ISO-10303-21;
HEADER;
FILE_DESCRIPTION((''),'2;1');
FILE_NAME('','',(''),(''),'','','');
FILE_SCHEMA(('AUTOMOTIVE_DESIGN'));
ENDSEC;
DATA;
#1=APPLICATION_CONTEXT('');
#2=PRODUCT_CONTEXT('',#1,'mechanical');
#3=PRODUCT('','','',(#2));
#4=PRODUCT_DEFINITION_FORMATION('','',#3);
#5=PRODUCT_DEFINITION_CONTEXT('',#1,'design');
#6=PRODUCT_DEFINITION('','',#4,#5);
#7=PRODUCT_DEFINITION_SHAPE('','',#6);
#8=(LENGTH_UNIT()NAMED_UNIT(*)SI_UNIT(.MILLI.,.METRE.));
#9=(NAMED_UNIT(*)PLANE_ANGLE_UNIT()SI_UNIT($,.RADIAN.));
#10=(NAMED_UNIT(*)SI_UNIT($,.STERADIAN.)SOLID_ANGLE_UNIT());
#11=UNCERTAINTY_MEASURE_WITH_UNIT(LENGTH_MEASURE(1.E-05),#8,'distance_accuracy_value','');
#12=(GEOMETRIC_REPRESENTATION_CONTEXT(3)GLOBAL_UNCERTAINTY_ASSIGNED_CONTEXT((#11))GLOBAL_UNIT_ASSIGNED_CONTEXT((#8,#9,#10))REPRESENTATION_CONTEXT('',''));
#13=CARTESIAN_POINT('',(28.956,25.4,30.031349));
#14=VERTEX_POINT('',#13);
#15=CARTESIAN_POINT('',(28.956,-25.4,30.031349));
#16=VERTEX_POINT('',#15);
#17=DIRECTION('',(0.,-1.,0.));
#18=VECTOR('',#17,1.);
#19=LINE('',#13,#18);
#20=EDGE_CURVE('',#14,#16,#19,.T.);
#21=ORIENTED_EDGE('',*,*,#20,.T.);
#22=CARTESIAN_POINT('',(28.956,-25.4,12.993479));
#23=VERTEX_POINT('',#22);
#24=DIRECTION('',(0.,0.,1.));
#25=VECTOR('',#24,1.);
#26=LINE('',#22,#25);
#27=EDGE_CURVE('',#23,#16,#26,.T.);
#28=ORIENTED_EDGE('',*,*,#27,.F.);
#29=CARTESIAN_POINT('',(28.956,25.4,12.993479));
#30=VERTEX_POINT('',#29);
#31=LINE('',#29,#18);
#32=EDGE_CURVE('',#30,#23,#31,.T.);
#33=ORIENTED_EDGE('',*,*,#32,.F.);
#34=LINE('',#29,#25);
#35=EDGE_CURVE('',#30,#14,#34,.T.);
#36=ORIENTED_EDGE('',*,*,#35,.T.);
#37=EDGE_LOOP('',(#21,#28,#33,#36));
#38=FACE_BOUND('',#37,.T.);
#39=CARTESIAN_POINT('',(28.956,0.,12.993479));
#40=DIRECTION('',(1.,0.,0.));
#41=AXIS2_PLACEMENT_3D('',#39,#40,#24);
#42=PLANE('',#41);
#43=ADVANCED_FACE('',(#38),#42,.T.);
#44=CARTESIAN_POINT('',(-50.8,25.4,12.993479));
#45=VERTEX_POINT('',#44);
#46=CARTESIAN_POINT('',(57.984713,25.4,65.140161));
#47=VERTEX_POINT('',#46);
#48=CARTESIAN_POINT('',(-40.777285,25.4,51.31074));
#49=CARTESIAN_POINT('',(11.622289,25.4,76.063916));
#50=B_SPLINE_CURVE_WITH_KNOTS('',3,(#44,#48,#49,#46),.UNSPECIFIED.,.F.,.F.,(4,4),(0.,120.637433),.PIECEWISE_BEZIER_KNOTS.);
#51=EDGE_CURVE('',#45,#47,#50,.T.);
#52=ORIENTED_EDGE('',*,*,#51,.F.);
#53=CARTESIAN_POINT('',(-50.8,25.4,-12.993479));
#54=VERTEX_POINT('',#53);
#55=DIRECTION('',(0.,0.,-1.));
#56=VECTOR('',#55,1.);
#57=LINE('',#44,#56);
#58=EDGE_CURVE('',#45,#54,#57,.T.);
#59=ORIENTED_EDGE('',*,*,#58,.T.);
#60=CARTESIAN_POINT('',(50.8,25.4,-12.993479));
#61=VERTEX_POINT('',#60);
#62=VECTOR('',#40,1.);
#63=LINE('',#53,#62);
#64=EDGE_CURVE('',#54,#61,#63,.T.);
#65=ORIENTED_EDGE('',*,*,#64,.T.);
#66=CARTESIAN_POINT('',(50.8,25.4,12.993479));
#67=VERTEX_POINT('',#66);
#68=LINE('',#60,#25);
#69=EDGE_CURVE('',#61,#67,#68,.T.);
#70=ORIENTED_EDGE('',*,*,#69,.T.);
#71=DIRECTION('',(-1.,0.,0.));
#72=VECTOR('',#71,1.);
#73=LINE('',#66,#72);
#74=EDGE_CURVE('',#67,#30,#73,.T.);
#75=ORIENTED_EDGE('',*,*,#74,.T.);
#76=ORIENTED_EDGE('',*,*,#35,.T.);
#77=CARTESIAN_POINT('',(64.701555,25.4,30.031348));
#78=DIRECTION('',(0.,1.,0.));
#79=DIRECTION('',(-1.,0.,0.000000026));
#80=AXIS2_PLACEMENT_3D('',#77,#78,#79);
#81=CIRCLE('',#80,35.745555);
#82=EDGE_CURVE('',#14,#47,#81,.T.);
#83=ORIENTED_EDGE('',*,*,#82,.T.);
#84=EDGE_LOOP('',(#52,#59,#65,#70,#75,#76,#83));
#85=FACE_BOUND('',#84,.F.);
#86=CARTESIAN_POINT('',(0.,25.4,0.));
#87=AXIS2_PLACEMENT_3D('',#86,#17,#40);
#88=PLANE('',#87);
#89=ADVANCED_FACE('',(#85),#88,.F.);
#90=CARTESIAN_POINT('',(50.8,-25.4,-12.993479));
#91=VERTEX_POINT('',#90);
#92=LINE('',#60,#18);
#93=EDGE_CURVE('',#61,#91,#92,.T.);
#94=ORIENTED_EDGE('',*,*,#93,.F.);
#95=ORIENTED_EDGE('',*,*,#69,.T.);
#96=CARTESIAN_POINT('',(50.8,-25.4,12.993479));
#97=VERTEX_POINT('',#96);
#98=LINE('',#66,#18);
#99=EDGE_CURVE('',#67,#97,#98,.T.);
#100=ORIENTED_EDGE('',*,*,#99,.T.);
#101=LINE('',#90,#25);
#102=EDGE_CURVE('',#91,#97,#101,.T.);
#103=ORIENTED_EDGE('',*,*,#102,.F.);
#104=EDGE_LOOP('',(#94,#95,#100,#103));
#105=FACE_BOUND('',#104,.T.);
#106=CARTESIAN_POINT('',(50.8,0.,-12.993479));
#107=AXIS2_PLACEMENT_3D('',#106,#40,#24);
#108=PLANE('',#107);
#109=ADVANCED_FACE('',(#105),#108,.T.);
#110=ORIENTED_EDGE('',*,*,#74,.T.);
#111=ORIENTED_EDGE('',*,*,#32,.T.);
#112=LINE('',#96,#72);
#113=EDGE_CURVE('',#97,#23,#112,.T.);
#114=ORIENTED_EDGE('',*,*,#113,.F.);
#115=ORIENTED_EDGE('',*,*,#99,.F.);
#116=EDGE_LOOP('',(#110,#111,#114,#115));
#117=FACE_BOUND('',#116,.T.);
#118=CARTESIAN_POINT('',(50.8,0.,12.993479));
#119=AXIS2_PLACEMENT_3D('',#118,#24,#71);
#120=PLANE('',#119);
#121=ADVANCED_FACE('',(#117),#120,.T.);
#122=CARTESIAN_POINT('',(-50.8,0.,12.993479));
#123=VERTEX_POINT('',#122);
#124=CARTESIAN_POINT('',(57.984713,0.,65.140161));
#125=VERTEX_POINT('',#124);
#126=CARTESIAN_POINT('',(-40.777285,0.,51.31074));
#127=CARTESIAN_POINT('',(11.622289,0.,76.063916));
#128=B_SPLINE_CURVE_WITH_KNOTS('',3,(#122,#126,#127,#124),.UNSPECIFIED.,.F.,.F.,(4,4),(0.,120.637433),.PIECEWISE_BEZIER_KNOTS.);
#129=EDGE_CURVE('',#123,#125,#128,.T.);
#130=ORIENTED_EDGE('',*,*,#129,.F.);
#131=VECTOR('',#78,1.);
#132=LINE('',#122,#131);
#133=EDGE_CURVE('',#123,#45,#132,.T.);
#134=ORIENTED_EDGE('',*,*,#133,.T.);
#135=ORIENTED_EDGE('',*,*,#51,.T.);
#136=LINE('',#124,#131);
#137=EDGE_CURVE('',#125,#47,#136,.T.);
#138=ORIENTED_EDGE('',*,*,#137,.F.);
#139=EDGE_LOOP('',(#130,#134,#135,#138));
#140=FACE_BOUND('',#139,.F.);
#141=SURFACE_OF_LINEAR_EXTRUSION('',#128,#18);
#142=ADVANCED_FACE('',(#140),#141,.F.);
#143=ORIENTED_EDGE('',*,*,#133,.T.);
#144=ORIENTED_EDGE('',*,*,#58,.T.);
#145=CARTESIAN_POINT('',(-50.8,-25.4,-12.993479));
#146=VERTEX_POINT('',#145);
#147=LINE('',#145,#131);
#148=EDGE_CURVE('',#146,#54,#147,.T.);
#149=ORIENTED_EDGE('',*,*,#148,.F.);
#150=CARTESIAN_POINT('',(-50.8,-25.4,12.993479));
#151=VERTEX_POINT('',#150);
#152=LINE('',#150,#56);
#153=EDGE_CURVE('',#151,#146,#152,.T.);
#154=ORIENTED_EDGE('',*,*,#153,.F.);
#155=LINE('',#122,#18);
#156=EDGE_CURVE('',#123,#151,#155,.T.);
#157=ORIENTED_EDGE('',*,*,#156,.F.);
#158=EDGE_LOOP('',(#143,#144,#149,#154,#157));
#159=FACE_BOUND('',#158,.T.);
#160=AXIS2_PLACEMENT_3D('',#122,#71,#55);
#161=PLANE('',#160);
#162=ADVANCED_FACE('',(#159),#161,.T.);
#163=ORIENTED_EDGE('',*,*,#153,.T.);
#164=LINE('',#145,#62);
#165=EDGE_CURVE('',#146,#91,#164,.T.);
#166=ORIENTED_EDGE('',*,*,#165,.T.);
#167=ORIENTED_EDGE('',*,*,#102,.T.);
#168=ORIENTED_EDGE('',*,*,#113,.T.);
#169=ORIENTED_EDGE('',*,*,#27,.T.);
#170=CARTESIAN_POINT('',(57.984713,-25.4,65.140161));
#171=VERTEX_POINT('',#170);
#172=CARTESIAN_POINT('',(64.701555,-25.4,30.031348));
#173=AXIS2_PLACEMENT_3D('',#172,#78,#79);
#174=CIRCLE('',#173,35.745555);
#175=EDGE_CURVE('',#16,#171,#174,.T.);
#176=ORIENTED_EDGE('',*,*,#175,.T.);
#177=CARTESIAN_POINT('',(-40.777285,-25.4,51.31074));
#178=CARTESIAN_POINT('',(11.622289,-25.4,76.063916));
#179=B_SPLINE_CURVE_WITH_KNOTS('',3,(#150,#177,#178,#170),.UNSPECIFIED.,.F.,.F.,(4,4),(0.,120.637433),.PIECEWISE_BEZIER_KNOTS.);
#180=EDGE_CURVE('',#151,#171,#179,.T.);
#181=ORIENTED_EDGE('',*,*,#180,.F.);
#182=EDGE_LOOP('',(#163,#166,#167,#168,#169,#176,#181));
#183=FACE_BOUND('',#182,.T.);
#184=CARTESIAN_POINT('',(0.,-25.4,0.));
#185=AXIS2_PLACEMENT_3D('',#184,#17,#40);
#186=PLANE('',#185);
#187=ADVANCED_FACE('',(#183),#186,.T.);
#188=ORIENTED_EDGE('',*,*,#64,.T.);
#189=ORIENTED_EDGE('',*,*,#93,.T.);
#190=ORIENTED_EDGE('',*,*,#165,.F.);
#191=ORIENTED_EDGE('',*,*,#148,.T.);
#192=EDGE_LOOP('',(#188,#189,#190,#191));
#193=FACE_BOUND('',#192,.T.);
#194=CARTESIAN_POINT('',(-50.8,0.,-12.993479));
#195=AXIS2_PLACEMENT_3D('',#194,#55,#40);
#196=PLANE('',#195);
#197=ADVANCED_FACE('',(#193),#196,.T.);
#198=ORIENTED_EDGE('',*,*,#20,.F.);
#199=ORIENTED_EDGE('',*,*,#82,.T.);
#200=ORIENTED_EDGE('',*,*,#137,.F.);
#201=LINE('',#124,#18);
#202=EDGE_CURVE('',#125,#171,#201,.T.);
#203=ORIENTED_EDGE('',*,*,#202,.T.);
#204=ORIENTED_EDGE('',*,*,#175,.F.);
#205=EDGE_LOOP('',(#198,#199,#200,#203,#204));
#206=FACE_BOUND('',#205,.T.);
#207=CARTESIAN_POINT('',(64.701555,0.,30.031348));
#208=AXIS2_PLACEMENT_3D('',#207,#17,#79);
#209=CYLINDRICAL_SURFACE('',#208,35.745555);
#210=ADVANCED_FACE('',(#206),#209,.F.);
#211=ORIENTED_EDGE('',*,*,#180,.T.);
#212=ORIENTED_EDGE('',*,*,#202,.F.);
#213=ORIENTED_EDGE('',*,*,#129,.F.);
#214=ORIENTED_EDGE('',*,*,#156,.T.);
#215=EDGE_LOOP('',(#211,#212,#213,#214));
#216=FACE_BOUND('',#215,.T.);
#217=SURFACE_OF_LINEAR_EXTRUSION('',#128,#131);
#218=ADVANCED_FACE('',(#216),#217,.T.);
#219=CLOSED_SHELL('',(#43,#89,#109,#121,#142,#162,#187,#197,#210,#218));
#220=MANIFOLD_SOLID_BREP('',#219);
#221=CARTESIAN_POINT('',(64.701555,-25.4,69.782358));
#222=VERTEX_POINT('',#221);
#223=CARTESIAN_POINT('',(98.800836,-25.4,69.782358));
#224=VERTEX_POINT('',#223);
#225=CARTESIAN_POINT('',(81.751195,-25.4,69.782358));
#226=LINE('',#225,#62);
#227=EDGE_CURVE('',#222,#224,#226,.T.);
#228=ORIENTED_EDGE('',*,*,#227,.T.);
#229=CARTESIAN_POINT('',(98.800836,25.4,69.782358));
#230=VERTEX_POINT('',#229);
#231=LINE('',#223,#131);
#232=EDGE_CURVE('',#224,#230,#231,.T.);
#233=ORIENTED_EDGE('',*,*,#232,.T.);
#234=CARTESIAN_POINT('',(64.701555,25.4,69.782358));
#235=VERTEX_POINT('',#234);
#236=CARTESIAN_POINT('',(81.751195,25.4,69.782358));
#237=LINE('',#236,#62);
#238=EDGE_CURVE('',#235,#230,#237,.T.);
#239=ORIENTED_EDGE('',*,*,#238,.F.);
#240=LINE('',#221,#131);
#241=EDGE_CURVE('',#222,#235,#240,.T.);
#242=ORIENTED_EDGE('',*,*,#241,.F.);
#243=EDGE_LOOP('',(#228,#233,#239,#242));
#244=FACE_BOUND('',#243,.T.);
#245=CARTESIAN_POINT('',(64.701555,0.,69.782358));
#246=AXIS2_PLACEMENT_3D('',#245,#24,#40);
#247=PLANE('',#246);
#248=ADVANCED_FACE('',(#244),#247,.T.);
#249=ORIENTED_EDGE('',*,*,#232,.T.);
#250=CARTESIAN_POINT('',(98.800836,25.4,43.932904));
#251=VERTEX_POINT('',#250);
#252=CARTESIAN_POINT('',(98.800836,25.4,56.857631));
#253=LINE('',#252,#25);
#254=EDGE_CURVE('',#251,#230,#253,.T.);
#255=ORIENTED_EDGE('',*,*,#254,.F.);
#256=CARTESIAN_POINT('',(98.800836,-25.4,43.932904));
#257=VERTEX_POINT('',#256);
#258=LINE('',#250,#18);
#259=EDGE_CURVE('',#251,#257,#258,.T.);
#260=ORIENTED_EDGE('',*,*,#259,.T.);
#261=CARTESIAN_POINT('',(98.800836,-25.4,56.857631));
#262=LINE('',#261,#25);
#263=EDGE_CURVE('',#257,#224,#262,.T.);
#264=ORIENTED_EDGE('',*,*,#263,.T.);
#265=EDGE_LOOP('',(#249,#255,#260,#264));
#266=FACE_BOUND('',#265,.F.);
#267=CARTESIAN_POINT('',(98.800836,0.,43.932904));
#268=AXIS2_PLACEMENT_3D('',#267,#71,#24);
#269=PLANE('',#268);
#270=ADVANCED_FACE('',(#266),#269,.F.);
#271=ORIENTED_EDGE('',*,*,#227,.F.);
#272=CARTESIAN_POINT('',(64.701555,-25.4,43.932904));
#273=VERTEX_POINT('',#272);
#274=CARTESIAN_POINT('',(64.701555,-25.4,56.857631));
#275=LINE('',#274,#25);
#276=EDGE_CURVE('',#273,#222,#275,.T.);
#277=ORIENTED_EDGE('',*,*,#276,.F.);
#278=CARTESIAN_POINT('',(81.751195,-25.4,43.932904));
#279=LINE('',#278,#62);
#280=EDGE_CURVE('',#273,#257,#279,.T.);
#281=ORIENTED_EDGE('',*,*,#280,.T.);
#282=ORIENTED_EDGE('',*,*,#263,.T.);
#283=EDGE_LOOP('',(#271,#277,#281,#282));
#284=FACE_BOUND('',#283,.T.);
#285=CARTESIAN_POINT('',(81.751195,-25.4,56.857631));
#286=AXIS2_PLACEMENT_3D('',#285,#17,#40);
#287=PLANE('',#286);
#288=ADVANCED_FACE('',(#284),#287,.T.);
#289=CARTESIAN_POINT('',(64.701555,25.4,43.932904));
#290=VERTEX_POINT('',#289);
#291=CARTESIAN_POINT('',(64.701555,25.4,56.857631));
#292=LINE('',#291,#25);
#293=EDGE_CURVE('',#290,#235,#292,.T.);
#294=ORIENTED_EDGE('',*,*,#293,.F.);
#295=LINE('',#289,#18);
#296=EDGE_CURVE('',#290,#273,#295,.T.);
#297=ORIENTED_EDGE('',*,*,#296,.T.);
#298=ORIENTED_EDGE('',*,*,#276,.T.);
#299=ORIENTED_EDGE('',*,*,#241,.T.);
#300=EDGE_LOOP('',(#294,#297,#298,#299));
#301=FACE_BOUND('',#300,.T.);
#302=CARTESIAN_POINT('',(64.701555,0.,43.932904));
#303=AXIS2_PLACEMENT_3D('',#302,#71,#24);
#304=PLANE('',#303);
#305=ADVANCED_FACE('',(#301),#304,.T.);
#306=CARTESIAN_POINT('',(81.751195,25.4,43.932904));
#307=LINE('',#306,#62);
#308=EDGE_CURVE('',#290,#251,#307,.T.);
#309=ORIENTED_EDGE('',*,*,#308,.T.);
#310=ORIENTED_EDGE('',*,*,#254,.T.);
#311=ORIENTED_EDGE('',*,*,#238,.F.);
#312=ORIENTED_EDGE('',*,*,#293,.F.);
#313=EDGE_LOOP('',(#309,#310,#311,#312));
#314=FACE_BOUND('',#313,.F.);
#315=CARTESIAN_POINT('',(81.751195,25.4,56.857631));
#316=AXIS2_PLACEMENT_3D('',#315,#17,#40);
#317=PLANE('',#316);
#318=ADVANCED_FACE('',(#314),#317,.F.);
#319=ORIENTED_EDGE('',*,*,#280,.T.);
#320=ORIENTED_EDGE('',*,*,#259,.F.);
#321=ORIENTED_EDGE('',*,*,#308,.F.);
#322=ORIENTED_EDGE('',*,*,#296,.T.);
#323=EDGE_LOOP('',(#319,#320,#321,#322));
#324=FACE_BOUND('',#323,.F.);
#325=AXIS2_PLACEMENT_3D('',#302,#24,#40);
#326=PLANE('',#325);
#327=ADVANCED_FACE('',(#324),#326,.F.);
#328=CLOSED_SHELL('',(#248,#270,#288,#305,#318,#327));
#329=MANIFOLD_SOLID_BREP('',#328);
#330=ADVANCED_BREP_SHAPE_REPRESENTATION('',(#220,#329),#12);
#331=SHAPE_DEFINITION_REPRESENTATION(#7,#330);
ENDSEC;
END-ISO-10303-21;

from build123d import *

# Parameters (mm, degrees)
F0_W     = 34.099281
F0_H     = 25.849454
F1_DEPTH = 25.4


with BuildPart() as f1:
    # F0 (on Front) → F1 (new body, symmetric)
    with BuildSketch(Plane.XZ):
        with Locations((81.751195, 56.857631)):
            Rectangle(F0_W, F0_H)
        Polygon((-50.8, -12.993479), (50.8, -12.993479), (50.8, 12.993479), (28.956, 12.993479), (-50.8, 12.993479), align=None)
        with BuildLine():
            add(Edge.make_bspline(
                [(-50.8, 12.993479), (-40.777285, 51.31074), (11.622289, 76.063916), (57.984713, 65.140161)],
                knots=[0, 0, 0, 0, 120.637433, 120.637433, 120.637433, 120.637433], degree=3))
            Line((-50.8, 12.993479), (28.956, 12.993479))
            Line((28.956, 12.993479), (28.956, 30.031349))
            ThreePointArc((28.956, 30.031349), (37.153035, 52.809051), (57.984713, 65.140161))
        make_face()
    extrude(amount=F1_DEPTH, both=True)


solid = f1.part
